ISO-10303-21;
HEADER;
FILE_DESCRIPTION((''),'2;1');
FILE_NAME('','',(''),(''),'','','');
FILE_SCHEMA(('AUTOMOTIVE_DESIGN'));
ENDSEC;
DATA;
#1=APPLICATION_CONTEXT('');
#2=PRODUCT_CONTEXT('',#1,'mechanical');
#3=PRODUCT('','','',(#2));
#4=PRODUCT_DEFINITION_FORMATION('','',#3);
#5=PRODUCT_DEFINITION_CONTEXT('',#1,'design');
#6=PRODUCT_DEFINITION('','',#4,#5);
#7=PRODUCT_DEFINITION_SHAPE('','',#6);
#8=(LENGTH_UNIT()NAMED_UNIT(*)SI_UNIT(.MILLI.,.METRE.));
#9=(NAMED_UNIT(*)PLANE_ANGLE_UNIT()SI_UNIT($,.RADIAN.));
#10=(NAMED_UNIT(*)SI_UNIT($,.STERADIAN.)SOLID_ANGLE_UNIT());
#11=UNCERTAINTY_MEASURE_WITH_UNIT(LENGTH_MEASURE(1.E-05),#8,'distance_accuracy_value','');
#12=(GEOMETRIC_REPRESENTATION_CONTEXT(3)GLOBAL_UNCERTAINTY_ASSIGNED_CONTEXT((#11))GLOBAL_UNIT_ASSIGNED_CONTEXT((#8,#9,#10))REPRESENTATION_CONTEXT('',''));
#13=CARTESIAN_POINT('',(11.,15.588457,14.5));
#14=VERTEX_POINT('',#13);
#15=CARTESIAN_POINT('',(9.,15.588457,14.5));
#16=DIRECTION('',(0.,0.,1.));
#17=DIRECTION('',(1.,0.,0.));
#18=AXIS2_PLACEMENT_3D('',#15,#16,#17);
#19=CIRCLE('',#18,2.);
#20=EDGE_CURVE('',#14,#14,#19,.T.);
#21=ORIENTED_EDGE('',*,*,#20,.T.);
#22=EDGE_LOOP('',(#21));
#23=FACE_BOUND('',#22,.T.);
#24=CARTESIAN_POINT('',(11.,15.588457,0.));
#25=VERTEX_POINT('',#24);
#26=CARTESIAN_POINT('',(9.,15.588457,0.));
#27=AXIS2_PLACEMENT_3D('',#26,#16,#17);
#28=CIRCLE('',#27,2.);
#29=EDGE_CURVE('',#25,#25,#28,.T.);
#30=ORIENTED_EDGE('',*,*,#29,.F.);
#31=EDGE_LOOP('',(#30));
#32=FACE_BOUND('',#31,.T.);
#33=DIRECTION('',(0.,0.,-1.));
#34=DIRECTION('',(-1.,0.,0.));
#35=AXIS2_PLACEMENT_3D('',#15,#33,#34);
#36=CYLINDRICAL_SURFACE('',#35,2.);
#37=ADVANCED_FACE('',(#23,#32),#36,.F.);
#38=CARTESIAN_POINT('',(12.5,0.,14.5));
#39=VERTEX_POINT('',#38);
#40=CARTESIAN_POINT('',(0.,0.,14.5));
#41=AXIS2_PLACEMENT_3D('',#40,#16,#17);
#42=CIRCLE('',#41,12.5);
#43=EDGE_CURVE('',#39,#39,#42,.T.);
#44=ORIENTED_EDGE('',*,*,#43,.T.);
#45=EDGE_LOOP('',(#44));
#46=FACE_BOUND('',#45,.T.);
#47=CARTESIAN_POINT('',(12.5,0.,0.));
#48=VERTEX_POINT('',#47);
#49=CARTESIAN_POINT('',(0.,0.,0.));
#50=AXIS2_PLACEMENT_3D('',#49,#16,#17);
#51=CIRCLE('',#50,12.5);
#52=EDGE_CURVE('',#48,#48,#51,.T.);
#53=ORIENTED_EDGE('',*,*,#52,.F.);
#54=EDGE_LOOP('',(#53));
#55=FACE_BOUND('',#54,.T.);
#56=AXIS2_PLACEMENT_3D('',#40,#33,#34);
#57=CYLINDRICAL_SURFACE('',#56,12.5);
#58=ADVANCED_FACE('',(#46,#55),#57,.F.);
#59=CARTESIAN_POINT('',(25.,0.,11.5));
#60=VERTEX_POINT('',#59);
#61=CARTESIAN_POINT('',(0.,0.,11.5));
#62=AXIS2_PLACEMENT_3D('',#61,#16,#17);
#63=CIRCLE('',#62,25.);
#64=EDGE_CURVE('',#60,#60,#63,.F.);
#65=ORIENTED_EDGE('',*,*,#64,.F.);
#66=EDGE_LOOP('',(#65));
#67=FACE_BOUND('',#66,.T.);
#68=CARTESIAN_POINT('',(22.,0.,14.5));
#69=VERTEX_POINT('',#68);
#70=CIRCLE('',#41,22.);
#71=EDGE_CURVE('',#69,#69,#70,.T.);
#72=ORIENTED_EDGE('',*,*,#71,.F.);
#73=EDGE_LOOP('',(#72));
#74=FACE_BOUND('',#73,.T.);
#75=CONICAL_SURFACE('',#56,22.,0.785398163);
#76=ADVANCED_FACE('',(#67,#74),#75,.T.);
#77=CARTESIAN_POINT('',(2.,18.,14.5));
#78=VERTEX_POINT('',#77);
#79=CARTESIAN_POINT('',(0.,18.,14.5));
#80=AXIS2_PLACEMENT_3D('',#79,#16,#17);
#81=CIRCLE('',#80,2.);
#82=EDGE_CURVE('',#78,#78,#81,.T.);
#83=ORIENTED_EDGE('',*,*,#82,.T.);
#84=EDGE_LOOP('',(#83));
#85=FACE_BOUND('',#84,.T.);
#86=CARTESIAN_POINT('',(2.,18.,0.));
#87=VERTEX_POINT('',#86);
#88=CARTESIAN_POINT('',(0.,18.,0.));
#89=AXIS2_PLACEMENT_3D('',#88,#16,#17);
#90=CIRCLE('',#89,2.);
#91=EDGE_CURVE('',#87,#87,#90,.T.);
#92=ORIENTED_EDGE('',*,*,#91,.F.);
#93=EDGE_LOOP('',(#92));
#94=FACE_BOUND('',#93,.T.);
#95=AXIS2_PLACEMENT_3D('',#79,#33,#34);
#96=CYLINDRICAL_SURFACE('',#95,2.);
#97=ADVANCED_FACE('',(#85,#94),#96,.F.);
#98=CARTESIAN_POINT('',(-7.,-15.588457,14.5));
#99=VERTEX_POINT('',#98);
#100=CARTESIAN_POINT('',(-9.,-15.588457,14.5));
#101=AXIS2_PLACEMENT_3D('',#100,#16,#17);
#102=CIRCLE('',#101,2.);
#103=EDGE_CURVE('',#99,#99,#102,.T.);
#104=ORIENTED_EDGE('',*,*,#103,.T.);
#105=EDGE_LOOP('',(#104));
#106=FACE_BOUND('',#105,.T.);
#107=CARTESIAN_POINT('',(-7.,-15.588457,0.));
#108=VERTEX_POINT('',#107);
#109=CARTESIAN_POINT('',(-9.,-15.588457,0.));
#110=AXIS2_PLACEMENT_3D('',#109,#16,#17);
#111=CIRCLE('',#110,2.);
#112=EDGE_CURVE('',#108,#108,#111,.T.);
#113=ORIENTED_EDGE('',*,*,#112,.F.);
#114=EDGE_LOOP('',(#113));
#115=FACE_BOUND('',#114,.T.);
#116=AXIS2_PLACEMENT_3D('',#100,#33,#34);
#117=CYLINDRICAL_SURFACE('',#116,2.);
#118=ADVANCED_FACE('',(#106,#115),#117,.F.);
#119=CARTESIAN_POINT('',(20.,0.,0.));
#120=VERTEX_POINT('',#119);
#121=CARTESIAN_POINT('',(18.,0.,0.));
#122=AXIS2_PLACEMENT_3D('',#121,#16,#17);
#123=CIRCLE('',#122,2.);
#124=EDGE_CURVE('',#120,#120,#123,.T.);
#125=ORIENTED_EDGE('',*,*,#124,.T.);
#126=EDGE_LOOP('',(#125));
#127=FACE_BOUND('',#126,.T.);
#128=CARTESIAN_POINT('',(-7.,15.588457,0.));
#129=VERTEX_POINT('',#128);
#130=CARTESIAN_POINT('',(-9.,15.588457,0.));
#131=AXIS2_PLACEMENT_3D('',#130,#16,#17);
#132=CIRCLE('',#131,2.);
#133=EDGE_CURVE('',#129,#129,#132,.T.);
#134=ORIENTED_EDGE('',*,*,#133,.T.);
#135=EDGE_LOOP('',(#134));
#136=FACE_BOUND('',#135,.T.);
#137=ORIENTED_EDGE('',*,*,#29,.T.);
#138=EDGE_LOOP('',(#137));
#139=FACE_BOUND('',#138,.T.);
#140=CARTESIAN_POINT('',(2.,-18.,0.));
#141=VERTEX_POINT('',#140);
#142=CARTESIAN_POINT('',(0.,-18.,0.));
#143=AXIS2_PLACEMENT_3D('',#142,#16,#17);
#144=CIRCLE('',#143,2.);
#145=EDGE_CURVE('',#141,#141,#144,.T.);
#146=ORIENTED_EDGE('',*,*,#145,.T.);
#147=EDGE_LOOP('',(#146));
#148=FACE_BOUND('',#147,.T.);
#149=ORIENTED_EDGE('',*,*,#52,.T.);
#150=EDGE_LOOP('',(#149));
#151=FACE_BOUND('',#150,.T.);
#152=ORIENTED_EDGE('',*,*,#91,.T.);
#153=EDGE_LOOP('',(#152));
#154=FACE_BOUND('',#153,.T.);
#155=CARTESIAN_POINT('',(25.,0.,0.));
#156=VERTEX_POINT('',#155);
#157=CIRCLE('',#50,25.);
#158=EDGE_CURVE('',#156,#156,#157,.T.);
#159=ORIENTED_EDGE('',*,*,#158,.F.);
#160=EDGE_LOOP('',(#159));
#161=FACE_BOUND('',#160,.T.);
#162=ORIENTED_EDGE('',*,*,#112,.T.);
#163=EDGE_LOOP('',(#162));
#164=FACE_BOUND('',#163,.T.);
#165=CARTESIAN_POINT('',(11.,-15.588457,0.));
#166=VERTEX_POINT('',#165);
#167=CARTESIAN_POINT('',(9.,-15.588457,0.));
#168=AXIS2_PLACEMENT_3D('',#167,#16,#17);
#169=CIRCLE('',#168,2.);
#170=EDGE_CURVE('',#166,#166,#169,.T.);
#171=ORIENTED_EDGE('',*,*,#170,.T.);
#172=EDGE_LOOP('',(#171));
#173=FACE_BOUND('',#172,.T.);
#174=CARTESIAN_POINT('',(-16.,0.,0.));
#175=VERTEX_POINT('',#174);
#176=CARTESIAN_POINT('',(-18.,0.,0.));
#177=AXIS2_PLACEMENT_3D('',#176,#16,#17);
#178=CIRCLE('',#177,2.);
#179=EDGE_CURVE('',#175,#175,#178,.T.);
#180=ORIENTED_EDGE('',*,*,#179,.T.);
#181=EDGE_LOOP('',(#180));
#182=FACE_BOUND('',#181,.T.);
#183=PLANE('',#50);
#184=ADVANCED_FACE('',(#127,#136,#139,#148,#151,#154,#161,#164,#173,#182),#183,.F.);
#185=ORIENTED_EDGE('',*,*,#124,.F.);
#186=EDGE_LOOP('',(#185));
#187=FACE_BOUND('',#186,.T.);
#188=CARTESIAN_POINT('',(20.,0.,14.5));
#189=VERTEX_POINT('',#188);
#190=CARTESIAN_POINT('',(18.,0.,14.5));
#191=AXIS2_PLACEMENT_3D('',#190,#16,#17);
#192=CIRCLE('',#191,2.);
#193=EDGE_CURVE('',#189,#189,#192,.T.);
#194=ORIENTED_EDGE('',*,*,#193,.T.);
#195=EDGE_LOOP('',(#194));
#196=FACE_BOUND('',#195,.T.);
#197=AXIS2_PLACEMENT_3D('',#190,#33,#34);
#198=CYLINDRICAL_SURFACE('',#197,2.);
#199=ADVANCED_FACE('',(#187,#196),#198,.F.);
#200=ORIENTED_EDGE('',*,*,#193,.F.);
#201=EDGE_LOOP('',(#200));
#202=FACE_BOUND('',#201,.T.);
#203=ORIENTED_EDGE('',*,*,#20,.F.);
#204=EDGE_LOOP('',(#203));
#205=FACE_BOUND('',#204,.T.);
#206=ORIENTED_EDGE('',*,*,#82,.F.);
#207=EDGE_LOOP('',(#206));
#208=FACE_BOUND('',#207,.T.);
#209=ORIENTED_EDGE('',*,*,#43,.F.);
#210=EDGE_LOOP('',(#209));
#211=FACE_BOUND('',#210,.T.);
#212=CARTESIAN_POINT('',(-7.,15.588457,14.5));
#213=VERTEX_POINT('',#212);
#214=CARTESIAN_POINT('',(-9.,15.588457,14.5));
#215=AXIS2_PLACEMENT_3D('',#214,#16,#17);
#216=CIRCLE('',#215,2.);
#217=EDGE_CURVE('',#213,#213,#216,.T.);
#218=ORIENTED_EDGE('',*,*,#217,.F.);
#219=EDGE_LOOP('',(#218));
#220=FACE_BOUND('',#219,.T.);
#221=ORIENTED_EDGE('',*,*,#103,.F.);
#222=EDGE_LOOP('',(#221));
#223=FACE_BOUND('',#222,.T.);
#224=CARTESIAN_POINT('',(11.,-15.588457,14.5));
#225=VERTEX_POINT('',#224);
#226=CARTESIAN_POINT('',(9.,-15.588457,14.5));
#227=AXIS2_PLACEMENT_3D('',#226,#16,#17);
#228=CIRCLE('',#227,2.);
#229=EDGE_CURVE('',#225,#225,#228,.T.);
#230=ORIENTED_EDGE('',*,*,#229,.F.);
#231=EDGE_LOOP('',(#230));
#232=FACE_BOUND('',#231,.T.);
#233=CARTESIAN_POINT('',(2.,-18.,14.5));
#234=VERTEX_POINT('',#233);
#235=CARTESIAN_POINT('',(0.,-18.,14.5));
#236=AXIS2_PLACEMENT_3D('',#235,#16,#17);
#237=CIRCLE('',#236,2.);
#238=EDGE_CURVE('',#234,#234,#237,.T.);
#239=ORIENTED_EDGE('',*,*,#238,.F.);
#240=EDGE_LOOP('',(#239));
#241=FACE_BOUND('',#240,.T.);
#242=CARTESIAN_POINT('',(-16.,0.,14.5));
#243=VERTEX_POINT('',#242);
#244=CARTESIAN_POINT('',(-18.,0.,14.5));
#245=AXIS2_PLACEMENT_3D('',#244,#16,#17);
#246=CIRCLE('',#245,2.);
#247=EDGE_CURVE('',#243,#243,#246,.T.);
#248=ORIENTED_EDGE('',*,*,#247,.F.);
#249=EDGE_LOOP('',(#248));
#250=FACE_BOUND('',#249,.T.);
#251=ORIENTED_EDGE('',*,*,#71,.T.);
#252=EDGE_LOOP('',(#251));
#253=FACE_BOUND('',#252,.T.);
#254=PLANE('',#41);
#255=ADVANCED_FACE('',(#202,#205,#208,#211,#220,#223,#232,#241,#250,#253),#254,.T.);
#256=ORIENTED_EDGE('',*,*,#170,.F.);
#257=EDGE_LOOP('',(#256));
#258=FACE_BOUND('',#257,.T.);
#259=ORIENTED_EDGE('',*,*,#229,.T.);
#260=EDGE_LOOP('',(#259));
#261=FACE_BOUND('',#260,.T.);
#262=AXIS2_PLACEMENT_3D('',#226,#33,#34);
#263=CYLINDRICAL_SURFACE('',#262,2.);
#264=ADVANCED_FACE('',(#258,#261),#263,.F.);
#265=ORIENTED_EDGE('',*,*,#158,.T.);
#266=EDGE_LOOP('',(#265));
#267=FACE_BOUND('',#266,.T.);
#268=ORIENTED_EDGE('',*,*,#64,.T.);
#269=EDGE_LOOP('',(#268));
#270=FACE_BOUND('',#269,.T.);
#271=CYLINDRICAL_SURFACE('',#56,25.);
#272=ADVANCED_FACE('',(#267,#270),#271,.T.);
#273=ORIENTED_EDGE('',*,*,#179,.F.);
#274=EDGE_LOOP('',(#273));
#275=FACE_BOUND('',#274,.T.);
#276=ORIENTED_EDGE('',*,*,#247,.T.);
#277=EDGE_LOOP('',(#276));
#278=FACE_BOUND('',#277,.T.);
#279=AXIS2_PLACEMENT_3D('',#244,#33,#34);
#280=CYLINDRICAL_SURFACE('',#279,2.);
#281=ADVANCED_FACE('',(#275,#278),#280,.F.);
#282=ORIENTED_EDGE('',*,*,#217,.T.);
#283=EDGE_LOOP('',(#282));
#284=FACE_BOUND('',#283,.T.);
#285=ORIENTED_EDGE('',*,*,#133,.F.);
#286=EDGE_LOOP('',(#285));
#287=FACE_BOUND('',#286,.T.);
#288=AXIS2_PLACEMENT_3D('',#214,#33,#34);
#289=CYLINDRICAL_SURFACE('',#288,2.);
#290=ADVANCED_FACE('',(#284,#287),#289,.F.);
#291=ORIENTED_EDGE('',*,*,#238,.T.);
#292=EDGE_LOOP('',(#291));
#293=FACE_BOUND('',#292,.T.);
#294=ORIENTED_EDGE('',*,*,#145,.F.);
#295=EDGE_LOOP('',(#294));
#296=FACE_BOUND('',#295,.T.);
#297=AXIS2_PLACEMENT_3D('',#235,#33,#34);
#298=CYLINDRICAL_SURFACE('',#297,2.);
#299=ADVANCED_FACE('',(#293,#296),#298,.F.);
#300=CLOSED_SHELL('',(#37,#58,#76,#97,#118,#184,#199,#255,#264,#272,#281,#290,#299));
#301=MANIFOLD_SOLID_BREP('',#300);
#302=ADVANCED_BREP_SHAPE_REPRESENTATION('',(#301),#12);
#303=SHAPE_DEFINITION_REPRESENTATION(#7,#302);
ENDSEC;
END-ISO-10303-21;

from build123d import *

# Parameters (mm, degrees)
SKETCH1_R           = 25
SKETCH1_R_2         = 12.5
SKETCH1_R_3         = 2
BOSS_EXTRUDE1_DEPTH = 14.5
CHAMFER1_SIZE       = 3


with BuildPart() as part:
    # Sketch1 → Boss-Extrude1 (new body)
    with BuildSketch(Plane.XY):
        Circle(SKETCH1_R)
        Circle(SKETCH1_R_2, mode=Mode.SUBTRACT)
        with Locations((0, 18)):
            Circle(SKETCH1_R_3, mode=Mode.SUBTRACT)
        with Locations((9, 15.588457268)):
            Circle(SKETCH1_R_3, mode=Mode.SUBTRACT)
        with Locations((18, 0)):
            Circle(SKETCH1_R_3, mode=Mode.SUBTRACT)
        with Locations((9, -15.588457268)):
            Circle(SKETCH1_R_3, mode=Mode.SUBTRACT)
        with Locations((0, -18)):
            Circle(SKETCH1_R_3, mode=Mode.SUBTRACT)
        with Locations((-9, -15.588457268)):
            Circle(SKETCH1_R_3, mode=Mode.SUBTRACT)
        with Locations((-18, 0)):
            Circle(SKETCH1_R_3, mode=Mode.SUBTRACT)
        with Locations((-9, 15.588457268)):
            Circle(SKETCH1_R_3, mode=Mode.SUBTRACT)
    extrude(amount=BOSS_EXTRUDE1_DEPTH)

    # Chamfer1
    chamfer1_edges = [part.edges().sort_by_distance(p)[0] for p in [
        (-25, 0, 14.5),
    ]]
    chamfer(chamfer1_edges, length=CHAMFER1_SIZE)


solid = part.part
